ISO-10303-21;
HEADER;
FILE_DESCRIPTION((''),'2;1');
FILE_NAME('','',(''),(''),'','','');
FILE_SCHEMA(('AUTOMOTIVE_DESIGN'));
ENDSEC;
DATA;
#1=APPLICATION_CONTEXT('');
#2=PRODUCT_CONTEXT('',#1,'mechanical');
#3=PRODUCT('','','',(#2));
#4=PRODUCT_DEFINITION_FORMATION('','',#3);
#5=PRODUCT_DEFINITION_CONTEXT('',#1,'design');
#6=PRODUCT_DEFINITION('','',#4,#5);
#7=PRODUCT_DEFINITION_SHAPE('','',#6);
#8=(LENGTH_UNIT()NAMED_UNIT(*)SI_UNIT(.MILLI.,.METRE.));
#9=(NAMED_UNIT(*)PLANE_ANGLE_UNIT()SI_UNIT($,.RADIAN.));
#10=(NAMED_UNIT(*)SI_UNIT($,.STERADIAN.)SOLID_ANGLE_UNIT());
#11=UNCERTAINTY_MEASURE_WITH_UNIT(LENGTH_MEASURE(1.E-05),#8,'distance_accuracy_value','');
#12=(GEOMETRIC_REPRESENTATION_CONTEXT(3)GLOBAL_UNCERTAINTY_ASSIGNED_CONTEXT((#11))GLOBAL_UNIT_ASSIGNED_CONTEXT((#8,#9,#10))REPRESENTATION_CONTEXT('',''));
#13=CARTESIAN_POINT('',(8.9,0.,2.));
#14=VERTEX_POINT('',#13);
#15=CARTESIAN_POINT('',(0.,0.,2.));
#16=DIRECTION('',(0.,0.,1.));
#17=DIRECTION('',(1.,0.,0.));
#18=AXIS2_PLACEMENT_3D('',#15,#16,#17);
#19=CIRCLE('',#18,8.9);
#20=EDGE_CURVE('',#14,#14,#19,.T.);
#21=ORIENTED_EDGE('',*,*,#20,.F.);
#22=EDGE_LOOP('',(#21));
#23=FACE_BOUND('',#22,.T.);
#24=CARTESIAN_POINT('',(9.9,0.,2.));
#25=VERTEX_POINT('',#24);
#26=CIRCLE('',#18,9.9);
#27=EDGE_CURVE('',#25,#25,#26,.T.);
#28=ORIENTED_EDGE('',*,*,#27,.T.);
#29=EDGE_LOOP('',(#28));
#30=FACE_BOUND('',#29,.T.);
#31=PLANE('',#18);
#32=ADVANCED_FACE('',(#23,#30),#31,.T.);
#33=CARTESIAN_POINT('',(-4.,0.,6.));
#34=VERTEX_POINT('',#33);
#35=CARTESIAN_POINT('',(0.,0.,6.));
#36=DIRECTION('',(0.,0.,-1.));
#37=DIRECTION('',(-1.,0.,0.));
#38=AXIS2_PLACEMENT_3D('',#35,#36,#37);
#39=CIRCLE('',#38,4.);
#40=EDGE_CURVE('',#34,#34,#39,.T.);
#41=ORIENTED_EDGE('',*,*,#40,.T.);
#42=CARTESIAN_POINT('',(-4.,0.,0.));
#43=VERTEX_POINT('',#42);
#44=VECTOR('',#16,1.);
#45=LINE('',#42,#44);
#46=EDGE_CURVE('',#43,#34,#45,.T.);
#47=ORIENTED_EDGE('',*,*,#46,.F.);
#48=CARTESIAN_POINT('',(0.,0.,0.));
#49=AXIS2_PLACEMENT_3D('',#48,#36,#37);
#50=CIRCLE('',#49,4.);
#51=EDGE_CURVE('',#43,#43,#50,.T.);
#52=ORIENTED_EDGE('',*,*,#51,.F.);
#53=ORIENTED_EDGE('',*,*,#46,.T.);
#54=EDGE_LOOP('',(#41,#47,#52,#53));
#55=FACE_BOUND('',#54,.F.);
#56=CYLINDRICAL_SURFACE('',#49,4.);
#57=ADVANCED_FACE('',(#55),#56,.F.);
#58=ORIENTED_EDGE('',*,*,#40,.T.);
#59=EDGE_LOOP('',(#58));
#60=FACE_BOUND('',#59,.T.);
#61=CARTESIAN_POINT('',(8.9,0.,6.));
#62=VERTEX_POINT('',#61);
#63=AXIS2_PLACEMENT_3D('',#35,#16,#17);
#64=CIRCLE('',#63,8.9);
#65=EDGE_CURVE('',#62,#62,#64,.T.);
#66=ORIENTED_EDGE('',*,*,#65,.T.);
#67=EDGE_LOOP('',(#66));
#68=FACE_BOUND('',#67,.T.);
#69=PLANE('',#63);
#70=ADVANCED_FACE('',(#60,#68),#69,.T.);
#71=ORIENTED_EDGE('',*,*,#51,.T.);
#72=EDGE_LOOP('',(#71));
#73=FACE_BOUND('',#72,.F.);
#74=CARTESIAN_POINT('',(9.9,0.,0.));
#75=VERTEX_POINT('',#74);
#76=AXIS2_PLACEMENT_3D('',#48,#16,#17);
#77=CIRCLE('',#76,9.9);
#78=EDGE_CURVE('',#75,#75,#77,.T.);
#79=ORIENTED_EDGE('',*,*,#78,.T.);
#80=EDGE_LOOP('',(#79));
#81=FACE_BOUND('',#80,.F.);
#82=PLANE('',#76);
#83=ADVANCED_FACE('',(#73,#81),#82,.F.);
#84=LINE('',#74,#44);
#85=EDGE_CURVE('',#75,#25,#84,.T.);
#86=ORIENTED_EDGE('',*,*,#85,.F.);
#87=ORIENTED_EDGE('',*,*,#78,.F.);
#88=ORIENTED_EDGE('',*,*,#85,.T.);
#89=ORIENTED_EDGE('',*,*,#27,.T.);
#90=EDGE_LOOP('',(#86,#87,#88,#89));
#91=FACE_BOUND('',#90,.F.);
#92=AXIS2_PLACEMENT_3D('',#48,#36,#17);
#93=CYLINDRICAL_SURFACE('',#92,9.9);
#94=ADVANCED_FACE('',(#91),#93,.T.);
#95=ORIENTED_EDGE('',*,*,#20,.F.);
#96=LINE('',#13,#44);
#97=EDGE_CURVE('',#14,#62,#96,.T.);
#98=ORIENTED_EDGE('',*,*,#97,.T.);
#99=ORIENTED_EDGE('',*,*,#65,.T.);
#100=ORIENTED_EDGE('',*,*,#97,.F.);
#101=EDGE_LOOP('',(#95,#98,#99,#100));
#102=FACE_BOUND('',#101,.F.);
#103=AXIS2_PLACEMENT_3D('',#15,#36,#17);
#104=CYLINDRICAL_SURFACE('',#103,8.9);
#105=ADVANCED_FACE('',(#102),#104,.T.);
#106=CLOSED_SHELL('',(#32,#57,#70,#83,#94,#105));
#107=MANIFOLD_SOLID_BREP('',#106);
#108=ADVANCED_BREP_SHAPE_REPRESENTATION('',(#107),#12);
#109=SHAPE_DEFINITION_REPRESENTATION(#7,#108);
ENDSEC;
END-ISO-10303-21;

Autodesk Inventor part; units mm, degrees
ref_plane "YZ Plane" through (0, 0, 0) normal (1, 0, 0) x (0, 1, 0)
ref_plane "XZ Plane" through (0, 0, 0) normal (0, 1, 0) x (-1, 0, 0)
ref_plane "XY Plane" through (0, 0, 0) normal (0, 0, 1) x (1, 0, 0)
sketch "Sketch1" plane through (0, 0, 0) normal (0, 0, 1) x (1, 0, 0)
  circle A0 centre (0, 0) radius 9.9
  dimension "d0" = 19.8
extrude "Extrusion1" add sketch "Sketch1" along normal blind 2
sketch "Sketch2" plane through (0, 0, 2) normal (0, 0, 1) x (1, 0, 0)
  circle A0 centre (0, 0) radius 8.9
  dimension "d3" = 17.8
extrude "Extrusion2" add sketch "Sketch2" along normal blind 4
thread "Thread1" size "M18x2.5" class "6g" standard "ANSI Metric M Profile" length 10
sketch "Sketch3" plane through (0, 0, 0) normal (0, 0, -1) x (-1, 0, 0)
  circle A0 centre (0, 0) radius 4
  dimension "d8" = 8
extrude "Extrusion3" cut sketch "Sketch3" against normal blind 10
properties part number "punta"
